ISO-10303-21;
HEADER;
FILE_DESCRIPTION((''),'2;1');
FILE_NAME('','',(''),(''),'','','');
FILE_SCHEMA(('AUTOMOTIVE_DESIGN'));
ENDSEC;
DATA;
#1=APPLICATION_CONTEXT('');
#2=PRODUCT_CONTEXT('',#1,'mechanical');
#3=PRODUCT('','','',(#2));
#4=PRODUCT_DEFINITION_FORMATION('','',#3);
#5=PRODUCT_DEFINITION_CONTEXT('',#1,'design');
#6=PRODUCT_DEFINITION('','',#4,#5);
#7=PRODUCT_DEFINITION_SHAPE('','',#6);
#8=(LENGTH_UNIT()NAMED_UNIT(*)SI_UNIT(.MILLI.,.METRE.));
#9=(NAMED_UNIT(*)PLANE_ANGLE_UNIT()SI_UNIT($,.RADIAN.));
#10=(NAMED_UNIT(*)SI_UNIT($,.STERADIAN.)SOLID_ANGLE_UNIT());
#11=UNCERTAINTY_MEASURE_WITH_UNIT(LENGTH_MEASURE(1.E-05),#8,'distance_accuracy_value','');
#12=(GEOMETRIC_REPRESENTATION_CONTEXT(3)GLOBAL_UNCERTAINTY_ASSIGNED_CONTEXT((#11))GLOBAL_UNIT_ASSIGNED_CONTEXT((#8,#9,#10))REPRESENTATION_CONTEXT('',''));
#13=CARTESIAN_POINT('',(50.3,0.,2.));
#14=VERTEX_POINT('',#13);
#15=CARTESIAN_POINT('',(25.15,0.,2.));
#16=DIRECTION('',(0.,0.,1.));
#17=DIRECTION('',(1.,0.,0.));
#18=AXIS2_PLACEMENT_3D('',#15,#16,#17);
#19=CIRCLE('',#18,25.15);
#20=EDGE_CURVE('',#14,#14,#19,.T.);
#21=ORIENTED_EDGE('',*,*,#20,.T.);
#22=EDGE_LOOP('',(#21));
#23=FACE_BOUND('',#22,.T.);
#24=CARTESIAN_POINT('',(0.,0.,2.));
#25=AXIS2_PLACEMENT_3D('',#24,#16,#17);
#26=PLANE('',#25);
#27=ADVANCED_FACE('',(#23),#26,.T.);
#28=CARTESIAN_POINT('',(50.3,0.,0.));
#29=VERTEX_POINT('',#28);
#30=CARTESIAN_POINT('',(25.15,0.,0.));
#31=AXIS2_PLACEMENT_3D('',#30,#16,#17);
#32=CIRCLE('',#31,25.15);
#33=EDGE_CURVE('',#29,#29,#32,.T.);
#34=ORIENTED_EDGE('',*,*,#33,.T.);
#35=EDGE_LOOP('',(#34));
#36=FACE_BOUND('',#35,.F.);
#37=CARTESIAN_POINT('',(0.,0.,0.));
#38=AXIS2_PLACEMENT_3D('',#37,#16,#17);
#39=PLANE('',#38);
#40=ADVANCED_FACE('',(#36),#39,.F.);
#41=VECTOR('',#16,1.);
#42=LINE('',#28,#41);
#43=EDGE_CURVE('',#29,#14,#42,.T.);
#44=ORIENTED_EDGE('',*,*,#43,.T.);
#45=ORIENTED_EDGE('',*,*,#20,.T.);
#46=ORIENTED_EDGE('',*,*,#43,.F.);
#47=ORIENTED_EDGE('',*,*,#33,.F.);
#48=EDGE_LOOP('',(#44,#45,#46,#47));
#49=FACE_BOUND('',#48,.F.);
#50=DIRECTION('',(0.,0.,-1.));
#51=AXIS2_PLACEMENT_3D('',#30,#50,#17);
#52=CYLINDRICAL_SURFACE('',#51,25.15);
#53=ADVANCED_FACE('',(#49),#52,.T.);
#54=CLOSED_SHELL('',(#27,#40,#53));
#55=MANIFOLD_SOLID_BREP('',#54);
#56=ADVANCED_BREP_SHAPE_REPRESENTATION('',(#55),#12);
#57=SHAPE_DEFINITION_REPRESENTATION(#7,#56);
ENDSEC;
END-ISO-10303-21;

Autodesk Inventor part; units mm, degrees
ref_plane "YZ Plane" through (0, 0, 0) normal (1, 0, 0) x (0, 1, 0)
ref_plane "XZ Plane" through (0, 0, 0) normal (0, 1, 0) x (-1, 0, 0)
ref_plane "XY Plane" through (0, 0, 0) normal (0, 0, 1) x (1, 0, 0)
ref_plane "Work Plane1" through (0, 0, 0) normal (0, 0, 1) x (1, 0, 0)
sketch "Sketch1" plane through (0, 0, 0) normal (0, 0, 1) x (1, 0, 0)
  circle A0 centre (25.15, 0) radius 25.15 construction
  circle A1 centre (25.15, 0) radius 25.15 construction
  circle A2 centre (25.15, 0) radius 25.15
  point P0 (0, 0)
extrude "Extrusion1" add sketch "Sketch1" along normal blind 2
properties part number "trapdoor" material "PET Plastic"
